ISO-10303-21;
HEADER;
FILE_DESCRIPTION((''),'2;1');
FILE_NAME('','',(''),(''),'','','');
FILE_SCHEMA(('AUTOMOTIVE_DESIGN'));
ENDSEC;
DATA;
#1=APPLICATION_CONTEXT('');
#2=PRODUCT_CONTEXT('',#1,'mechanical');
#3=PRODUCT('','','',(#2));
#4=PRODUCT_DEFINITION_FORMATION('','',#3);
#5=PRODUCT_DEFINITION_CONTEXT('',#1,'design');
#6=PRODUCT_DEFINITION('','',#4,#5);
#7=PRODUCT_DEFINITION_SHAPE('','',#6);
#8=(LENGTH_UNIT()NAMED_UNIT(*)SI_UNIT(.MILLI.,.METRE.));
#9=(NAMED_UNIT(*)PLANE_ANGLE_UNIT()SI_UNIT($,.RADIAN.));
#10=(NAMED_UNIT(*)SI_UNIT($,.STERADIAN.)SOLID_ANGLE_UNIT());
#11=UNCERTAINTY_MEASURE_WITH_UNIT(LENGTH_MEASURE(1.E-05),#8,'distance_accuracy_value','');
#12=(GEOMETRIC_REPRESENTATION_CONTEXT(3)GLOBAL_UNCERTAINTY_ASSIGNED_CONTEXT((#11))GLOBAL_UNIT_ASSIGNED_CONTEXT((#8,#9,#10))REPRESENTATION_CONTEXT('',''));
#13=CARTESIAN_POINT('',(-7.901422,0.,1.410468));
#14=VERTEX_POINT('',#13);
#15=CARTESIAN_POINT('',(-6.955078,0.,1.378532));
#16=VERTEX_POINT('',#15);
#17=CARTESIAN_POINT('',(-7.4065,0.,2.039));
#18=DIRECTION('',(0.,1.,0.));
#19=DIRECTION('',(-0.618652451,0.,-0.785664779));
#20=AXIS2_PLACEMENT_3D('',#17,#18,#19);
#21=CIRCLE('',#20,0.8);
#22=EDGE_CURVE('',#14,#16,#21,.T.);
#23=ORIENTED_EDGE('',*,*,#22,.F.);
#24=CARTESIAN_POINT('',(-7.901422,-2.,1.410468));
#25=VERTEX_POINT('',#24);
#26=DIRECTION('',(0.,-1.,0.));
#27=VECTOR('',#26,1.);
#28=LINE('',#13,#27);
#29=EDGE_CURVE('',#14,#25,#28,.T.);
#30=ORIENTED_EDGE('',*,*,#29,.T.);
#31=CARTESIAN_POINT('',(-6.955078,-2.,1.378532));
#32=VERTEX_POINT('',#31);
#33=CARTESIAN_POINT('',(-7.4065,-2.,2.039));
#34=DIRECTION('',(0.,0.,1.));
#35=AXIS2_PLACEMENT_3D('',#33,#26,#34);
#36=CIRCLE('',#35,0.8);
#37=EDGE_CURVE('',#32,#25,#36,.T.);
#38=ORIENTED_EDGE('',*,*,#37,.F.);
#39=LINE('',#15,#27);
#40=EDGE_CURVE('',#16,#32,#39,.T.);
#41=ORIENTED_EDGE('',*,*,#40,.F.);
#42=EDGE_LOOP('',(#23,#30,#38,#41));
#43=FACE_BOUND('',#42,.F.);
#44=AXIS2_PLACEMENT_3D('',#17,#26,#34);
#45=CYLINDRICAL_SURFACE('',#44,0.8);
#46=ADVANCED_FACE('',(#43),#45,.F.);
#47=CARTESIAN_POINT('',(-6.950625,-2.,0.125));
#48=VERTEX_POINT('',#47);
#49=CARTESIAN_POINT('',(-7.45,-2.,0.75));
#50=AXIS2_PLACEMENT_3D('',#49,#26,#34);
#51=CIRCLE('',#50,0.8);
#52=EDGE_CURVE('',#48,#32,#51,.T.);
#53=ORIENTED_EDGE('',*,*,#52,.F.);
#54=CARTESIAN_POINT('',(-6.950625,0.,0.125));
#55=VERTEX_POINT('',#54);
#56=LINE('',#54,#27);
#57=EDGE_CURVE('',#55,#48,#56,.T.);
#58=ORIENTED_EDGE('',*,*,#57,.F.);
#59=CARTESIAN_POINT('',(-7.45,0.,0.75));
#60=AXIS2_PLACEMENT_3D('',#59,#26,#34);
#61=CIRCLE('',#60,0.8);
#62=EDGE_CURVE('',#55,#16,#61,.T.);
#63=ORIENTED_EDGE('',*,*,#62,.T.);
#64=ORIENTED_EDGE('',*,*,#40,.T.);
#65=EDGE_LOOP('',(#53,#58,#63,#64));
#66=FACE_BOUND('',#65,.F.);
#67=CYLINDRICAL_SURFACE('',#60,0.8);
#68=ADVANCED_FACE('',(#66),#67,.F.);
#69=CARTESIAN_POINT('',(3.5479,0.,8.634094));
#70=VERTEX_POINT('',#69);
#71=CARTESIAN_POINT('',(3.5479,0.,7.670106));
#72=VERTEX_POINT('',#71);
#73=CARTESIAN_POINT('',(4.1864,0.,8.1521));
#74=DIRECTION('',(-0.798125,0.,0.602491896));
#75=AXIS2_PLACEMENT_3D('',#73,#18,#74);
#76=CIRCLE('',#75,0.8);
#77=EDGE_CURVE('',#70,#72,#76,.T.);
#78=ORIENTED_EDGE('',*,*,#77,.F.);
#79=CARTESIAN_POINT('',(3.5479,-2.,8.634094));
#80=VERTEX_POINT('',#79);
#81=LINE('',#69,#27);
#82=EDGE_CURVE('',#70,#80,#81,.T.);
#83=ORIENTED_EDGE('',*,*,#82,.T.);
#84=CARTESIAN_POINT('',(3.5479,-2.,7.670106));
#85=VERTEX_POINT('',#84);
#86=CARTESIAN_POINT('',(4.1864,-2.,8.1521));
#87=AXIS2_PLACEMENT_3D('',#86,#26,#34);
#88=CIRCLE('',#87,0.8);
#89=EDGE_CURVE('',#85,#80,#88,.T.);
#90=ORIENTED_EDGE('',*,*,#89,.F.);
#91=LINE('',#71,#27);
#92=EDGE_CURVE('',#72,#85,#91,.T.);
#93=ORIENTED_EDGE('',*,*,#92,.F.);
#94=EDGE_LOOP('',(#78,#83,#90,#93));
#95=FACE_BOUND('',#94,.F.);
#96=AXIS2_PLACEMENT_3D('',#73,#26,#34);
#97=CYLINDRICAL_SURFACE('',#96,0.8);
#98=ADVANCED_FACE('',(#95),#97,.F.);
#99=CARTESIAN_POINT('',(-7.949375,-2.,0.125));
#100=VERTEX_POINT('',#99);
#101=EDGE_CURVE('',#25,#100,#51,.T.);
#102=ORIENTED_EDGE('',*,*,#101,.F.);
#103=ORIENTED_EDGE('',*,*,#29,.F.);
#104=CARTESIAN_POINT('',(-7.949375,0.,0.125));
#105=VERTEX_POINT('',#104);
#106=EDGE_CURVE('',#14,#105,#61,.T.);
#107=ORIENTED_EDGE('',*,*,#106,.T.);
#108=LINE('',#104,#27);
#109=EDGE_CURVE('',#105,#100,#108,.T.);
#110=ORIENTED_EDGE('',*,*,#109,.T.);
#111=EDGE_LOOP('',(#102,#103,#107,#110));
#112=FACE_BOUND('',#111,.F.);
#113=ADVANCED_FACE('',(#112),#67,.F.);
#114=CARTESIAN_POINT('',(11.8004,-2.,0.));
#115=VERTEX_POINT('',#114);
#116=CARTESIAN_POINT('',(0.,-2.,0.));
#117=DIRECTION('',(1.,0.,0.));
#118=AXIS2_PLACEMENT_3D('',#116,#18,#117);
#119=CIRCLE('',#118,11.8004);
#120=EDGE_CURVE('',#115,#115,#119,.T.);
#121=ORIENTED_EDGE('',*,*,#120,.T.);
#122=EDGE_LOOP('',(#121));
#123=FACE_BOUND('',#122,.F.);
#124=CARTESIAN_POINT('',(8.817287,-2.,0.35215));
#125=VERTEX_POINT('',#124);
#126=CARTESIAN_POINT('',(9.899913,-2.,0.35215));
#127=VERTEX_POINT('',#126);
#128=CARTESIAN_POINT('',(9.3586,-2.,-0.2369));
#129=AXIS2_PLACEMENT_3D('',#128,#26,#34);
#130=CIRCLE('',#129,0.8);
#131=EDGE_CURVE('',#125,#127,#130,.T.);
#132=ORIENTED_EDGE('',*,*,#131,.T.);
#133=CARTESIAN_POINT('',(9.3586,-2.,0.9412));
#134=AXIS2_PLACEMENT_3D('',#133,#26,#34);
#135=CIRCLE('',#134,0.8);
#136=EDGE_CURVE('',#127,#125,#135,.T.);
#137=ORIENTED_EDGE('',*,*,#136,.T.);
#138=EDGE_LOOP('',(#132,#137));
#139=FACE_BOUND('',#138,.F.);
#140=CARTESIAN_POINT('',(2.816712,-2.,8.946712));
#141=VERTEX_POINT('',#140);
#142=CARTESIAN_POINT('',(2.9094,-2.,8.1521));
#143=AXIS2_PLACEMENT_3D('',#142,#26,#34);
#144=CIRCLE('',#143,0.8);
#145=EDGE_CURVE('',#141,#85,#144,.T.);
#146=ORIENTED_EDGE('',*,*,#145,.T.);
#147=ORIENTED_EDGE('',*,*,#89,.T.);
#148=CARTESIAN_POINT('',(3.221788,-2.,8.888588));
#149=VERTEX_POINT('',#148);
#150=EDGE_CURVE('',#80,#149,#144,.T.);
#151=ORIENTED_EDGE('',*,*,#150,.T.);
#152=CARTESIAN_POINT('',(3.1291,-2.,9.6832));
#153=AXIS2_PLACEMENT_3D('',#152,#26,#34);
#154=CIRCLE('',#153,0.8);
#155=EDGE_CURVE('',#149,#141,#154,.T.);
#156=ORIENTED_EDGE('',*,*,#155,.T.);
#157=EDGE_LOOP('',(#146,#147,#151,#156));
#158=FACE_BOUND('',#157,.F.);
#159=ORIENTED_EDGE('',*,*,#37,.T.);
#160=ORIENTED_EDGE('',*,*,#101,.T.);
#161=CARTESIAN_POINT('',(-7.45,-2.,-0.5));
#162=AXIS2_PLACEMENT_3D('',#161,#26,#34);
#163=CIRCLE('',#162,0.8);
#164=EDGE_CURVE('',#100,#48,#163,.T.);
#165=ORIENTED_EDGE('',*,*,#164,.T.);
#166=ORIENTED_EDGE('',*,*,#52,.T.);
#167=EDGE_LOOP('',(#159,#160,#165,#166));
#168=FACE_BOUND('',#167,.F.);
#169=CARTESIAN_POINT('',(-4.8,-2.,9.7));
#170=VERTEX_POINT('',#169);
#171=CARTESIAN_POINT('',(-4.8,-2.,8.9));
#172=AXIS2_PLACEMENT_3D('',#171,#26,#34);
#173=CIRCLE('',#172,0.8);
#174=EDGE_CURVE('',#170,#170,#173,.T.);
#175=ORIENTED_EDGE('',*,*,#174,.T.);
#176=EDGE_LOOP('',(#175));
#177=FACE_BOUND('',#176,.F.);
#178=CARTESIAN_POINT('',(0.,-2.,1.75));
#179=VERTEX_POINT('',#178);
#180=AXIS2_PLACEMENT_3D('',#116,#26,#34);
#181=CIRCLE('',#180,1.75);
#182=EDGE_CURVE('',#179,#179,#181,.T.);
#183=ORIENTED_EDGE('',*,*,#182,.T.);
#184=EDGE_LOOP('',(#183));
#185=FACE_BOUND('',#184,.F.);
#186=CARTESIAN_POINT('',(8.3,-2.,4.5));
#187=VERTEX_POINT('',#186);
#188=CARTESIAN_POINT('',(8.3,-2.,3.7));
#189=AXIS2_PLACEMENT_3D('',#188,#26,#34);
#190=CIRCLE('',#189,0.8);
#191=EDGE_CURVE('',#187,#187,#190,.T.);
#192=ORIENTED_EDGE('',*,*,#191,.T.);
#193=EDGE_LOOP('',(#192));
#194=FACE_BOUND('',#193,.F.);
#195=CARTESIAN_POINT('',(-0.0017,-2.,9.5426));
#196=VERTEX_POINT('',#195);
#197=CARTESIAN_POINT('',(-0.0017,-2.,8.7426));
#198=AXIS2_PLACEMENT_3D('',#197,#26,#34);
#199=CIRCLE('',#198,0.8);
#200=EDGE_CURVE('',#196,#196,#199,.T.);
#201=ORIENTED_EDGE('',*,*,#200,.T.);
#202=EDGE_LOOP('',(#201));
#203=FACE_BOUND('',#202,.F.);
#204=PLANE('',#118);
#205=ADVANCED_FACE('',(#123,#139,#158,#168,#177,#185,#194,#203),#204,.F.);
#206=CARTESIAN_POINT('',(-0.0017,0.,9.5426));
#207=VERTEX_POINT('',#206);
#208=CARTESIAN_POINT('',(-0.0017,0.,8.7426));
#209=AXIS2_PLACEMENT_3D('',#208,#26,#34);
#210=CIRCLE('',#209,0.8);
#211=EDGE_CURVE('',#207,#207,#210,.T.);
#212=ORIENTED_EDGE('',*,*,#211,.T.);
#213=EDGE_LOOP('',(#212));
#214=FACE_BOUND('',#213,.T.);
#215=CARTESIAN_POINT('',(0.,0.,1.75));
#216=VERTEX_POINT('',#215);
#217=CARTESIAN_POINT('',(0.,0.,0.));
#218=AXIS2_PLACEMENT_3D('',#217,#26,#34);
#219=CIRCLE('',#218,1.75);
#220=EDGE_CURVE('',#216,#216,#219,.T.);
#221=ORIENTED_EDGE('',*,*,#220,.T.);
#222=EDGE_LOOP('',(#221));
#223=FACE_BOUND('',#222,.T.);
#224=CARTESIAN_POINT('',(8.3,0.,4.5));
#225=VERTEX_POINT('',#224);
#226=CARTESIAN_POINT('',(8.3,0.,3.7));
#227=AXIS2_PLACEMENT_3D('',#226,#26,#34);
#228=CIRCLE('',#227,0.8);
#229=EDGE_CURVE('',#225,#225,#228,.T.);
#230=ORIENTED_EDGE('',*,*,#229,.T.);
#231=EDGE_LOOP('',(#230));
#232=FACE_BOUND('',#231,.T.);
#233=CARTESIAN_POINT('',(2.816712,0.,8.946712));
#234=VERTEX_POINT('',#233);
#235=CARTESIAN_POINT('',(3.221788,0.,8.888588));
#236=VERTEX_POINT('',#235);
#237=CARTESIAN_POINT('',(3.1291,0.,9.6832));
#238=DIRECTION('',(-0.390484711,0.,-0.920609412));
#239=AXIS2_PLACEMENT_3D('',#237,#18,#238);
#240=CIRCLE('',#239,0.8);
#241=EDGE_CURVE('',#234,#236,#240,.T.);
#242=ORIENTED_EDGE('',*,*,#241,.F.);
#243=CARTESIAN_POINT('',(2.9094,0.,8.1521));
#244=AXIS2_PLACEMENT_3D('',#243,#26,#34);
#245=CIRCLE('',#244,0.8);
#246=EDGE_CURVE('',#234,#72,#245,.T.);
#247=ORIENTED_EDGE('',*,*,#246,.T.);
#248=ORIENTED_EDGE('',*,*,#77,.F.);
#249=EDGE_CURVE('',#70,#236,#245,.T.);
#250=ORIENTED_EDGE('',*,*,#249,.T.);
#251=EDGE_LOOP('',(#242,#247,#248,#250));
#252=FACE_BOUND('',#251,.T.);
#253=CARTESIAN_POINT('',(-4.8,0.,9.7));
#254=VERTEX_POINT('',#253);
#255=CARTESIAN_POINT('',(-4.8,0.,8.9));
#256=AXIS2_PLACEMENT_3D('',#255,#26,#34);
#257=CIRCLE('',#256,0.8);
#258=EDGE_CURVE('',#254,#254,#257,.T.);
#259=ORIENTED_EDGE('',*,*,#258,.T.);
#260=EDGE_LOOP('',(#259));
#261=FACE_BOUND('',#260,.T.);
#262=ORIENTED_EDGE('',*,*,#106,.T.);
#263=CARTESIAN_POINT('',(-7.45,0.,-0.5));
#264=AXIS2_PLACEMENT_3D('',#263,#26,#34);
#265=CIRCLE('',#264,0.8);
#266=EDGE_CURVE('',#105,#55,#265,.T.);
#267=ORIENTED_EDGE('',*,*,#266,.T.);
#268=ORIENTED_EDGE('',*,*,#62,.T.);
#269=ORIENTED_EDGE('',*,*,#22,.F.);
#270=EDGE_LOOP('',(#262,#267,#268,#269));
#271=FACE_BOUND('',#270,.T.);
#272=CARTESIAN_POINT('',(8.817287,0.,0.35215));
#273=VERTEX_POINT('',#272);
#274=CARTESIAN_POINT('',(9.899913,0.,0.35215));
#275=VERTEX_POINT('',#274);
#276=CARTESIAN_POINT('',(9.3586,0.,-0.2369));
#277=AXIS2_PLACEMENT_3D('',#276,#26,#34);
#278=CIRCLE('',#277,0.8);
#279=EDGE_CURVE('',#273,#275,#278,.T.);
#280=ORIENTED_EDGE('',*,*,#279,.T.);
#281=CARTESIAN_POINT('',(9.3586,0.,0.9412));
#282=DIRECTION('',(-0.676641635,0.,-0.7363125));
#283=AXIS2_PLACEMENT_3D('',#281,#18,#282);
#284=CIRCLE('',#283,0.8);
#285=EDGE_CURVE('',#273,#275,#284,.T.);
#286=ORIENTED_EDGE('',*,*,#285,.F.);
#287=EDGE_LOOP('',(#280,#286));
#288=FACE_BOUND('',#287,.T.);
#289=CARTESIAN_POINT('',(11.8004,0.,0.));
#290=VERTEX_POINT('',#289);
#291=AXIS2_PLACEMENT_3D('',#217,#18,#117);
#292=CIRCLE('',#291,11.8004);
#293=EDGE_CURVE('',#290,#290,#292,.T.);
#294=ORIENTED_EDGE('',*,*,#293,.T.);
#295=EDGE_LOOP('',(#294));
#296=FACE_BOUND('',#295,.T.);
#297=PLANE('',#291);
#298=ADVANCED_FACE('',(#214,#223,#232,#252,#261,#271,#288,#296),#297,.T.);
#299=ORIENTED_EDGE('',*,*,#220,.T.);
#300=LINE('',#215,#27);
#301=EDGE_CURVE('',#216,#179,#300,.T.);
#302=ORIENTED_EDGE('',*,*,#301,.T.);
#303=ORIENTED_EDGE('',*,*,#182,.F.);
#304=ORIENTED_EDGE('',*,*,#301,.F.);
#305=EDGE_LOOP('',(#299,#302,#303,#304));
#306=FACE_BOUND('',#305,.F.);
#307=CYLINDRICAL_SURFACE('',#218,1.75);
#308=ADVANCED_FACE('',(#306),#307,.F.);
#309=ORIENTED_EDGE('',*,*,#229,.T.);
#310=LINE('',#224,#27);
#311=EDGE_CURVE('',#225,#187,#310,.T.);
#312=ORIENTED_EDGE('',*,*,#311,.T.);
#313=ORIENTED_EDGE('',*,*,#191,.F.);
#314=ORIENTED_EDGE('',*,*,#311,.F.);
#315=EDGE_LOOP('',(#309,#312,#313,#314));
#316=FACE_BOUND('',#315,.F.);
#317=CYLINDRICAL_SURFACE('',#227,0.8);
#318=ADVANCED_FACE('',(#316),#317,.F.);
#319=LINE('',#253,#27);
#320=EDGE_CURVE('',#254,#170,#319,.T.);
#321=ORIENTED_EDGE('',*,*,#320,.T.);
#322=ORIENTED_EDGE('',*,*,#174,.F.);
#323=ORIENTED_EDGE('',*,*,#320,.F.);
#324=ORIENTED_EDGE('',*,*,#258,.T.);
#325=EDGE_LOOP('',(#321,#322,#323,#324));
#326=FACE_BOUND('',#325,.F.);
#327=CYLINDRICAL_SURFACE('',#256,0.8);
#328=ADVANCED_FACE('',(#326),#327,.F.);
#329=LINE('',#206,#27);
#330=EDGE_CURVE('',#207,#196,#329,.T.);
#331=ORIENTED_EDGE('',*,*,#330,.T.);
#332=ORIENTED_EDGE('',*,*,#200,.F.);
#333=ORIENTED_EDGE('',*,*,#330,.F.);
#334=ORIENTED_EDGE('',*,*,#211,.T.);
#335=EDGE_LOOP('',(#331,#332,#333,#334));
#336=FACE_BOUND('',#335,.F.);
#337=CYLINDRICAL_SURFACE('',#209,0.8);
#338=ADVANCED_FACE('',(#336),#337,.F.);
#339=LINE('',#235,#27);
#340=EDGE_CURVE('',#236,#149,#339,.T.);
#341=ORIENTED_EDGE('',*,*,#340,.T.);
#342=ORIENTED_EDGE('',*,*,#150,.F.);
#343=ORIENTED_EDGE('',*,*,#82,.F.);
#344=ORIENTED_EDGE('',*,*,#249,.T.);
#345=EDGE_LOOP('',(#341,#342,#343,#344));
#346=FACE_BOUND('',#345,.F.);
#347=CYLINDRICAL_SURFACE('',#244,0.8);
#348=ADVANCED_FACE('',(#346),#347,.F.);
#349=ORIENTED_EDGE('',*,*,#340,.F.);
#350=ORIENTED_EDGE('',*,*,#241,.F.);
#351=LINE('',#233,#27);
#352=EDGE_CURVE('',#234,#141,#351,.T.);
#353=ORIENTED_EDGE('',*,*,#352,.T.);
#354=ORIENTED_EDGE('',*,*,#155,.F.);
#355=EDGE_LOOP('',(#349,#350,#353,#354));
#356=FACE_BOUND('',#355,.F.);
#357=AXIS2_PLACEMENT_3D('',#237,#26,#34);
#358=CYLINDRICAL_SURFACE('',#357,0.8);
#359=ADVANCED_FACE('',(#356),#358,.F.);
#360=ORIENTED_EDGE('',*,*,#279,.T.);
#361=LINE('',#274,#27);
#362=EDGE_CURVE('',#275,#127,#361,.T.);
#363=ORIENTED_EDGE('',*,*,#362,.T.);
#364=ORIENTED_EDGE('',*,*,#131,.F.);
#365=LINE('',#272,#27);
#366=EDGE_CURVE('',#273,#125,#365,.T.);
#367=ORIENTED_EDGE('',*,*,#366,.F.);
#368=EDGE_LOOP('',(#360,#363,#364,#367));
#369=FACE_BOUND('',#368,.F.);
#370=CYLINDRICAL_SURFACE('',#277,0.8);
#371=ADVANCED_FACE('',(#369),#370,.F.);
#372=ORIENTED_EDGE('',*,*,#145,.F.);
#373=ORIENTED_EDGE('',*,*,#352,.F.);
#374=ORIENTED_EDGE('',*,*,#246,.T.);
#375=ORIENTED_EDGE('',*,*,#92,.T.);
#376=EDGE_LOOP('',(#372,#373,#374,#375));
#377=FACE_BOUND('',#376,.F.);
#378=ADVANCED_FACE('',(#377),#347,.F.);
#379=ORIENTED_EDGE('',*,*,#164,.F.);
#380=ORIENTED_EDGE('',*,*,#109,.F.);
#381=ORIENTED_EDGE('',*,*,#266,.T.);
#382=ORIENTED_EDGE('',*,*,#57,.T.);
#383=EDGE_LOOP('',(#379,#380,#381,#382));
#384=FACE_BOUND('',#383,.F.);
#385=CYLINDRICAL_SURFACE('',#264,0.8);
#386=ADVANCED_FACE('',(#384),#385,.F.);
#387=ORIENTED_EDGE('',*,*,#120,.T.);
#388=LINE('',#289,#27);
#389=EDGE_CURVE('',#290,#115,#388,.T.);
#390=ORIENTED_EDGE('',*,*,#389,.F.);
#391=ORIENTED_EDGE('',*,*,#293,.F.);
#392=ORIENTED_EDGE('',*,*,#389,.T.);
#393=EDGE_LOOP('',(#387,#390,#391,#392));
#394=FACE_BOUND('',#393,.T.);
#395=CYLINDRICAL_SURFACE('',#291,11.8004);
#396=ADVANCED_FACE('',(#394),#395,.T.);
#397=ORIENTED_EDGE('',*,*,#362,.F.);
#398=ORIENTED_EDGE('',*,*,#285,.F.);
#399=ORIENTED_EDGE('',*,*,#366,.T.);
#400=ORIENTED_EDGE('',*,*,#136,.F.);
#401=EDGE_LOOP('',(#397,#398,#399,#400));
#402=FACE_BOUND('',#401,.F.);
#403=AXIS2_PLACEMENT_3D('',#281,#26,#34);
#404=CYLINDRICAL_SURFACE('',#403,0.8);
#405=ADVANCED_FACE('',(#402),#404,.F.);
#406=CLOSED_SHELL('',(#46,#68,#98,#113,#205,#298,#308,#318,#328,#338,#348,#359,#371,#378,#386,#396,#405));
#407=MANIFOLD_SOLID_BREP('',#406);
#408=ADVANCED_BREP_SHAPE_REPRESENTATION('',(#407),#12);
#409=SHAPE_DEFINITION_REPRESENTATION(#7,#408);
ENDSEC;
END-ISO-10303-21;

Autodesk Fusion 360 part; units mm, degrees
sketch "Sketch1" plane through (0, 0, 0) normal (0, 1, 0) x (1, 0, 0)
  circle A0 centre (0, 0) radius 13 construction
  circle A1 centre (0, 0) radius 11.8004
  point P0 (-7.45, 0.5)
  point P1 (-7.45, -0.75)
  point P2 (-7.4065, -2.039)
  point P3 (9.3586, 0.2369)
  point P4 (9.3586, -0.9412)
  point P5 (8.3, -3.7)
  point P6 (-4.8, -8.9)
  point P7 (-0.0017, -8.7426)
  point P8 (4.1864, -8.1521)
  point P9 (2.9094, -8.1521)
  point P10 (3.1291, -9.6832)
  dimension "d1" = 26
extrude "Extrude1" add sketch "Sketch1" against normal blind 2
hole "Hole1" at (-7.45, 0, -0.5) at (-7.45, 0, 0.75) at (-7.4065, 0, 2.039) at (-4.8, 0, 8.9) at (-0.0017, 0, 8.7426) at (2.9094, 0, 8.1521) at (3.1291, 0, 9.6832) at (4.1864, 0, 8.1521) at (8.3, 0, 3.7) at (9.3586, 0, 0.9412) at (9.3586, 0, -0.2369) direction (0, -1, 0) diameter 1.6 depth 5.5 tip angle 118
hole "Hole2" at (0, 0, 0) direction (0, -1, 0) diameter 3.5 depth 5.5 tip angle 118
